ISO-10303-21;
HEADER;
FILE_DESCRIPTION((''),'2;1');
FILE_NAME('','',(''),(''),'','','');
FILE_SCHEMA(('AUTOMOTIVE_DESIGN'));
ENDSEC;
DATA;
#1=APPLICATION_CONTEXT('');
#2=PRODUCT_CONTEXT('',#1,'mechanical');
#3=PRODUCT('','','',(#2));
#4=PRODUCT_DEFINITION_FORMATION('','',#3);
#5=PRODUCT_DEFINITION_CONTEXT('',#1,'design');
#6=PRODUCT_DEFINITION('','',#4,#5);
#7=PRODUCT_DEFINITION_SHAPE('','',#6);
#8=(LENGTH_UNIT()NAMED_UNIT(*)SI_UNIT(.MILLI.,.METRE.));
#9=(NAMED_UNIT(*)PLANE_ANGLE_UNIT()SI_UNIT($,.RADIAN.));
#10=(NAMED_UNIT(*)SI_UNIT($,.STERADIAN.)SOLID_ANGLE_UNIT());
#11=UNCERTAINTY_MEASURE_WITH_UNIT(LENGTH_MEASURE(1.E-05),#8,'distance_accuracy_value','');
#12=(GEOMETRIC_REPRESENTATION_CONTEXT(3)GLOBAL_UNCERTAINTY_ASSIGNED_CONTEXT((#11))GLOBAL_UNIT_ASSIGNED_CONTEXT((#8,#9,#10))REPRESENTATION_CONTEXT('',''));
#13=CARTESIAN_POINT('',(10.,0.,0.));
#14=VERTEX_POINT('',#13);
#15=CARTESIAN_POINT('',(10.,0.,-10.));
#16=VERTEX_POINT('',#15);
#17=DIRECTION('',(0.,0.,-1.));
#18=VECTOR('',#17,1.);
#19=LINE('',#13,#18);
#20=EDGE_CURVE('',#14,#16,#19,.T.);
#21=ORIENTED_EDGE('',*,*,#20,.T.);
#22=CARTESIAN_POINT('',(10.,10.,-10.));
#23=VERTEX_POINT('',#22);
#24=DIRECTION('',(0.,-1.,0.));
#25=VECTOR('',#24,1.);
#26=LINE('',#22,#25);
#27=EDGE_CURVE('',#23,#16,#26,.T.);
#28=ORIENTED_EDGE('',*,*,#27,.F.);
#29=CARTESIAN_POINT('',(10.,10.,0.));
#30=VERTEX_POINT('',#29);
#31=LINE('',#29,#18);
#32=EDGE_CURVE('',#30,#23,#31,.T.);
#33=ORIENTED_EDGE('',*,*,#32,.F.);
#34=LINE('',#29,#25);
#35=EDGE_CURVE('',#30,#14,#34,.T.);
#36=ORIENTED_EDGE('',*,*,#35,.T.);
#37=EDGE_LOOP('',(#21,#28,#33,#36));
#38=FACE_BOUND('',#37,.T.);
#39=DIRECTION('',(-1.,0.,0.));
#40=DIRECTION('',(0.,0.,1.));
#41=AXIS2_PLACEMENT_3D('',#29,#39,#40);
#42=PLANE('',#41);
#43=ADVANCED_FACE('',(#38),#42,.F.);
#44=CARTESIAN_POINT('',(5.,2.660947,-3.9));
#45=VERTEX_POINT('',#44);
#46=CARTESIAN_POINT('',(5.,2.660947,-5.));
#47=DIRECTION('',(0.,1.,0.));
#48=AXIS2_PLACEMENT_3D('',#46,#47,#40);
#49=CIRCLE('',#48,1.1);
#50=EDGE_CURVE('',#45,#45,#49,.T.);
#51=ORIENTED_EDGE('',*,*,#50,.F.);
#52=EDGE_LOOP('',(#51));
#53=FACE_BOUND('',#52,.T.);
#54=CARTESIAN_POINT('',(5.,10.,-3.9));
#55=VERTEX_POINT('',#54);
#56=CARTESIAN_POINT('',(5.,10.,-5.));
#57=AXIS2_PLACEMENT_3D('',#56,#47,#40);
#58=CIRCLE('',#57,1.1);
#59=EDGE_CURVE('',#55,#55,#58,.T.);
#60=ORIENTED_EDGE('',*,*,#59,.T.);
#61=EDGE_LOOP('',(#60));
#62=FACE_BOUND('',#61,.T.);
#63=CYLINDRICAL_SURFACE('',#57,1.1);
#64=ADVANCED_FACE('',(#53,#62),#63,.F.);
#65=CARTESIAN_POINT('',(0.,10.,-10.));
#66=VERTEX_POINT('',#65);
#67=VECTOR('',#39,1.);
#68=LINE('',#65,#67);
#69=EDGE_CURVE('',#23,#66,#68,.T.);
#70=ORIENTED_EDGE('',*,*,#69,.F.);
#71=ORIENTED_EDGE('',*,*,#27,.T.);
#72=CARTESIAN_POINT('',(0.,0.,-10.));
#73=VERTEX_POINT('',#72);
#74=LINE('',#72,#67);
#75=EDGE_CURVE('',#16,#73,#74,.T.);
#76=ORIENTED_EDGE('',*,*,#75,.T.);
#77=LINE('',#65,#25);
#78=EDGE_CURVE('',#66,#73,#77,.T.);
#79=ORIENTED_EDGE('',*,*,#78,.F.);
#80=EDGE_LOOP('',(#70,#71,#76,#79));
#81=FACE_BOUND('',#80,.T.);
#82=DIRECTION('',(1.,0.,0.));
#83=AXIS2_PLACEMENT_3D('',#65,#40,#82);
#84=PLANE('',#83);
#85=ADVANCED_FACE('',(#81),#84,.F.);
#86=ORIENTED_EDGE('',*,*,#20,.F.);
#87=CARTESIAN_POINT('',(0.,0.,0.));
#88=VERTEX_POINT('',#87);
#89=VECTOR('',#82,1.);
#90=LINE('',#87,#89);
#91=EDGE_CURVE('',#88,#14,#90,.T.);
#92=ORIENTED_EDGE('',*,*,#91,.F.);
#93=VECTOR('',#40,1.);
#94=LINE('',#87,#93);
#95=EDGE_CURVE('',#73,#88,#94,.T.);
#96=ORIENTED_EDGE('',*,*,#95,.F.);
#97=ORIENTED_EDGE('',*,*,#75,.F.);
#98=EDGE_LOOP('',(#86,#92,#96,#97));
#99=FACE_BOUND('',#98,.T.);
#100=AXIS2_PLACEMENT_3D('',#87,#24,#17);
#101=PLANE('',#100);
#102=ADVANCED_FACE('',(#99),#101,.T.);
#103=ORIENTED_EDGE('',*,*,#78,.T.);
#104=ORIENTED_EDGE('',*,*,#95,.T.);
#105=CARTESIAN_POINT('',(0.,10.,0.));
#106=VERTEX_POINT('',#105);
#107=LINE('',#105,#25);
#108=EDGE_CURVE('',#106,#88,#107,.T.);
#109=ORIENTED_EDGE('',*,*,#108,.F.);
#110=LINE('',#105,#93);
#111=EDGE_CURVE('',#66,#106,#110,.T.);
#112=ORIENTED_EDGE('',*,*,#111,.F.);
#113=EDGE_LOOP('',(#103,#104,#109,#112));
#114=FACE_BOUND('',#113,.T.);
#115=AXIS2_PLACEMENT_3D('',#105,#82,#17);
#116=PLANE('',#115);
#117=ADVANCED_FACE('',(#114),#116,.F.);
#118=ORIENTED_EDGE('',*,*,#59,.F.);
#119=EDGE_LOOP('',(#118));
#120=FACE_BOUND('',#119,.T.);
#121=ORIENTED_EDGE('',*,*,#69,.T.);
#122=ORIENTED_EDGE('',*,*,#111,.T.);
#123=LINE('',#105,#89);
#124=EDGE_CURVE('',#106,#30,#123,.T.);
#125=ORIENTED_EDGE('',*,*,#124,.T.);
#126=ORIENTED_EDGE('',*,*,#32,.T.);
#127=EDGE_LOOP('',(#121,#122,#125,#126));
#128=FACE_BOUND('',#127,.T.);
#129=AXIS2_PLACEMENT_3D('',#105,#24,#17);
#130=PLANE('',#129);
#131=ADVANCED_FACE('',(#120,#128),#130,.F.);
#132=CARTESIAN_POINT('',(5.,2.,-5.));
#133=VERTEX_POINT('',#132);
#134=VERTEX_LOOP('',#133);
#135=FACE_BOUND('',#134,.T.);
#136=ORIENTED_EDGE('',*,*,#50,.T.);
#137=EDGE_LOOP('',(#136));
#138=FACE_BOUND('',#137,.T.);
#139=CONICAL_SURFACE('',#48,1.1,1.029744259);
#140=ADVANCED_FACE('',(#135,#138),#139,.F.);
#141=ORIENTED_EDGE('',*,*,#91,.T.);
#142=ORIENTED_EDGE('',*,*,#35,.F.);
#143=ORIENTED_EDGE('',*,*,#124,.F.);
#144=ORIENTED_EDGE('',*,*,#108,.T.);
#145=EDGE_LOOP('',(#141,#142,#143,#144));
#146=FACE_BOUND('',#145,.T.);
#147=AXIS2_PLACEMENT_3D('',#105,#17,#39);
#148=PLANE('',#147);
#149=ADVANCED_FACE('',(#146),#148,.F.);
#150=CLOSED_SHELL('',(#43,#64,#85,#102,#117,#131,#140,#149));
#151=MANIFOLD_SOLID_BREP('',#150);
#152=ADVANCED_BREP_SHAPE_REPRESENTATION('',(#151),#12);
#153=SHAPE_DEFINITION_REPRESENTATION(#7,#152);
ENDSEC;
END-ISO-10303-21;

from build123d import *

# Parameters (mm, degrees)
SKETCH1_W                = 10
SKETCH1_H                = 10
BOSS_EXTRUDE1_DEPTH      = 10
M2_CLEARANCE_HOLE1_D     = 2.2
M2_CLEARANCE_HOLE1_DEPTH = 7.339053319
M2_CLEARANCE_HOLE1_TIP   = 0.660946681


with BuildPart() as part:
    # Sketch1 → Boss-Extrude1 (new body)
    with BuildSketch(Plane(origin=(0, 0, 0), x_dir=(1, 0, 0), z_dir=(0, 1, 0))):
        with Locations((5, 5)):
            Rectangle(SKETCH1_W, SKETCH1_H)
    extrude(amount=BOSS_EXTRUDE1_DEPTH)

    # M2 Clearance Hole1
    with Locations(Plane(origin=(0, 10, 0), x_dir=(1, 0, 0), z_dir=(0, 1, 0))):
        with Locations((5, 5)):
            Hole(M2_CLEARANCE_HOLE1_D / 2, depth=M2_CLEARANCE_HOLE1_DEPTH)
            with Locations((0, 0, -(M2_CLEARANCE_HOLE1_DEPTH + M2_CLEARANCE_HOLE1_TIP / 2))):  # 118° drill point
                Cone(0, M2_CLEARANCE_HOLE1_D / 2, M2_CLEARANCE_HOLE1_TIP, mode=Mode.SUBTRACT)


solid = part.part
